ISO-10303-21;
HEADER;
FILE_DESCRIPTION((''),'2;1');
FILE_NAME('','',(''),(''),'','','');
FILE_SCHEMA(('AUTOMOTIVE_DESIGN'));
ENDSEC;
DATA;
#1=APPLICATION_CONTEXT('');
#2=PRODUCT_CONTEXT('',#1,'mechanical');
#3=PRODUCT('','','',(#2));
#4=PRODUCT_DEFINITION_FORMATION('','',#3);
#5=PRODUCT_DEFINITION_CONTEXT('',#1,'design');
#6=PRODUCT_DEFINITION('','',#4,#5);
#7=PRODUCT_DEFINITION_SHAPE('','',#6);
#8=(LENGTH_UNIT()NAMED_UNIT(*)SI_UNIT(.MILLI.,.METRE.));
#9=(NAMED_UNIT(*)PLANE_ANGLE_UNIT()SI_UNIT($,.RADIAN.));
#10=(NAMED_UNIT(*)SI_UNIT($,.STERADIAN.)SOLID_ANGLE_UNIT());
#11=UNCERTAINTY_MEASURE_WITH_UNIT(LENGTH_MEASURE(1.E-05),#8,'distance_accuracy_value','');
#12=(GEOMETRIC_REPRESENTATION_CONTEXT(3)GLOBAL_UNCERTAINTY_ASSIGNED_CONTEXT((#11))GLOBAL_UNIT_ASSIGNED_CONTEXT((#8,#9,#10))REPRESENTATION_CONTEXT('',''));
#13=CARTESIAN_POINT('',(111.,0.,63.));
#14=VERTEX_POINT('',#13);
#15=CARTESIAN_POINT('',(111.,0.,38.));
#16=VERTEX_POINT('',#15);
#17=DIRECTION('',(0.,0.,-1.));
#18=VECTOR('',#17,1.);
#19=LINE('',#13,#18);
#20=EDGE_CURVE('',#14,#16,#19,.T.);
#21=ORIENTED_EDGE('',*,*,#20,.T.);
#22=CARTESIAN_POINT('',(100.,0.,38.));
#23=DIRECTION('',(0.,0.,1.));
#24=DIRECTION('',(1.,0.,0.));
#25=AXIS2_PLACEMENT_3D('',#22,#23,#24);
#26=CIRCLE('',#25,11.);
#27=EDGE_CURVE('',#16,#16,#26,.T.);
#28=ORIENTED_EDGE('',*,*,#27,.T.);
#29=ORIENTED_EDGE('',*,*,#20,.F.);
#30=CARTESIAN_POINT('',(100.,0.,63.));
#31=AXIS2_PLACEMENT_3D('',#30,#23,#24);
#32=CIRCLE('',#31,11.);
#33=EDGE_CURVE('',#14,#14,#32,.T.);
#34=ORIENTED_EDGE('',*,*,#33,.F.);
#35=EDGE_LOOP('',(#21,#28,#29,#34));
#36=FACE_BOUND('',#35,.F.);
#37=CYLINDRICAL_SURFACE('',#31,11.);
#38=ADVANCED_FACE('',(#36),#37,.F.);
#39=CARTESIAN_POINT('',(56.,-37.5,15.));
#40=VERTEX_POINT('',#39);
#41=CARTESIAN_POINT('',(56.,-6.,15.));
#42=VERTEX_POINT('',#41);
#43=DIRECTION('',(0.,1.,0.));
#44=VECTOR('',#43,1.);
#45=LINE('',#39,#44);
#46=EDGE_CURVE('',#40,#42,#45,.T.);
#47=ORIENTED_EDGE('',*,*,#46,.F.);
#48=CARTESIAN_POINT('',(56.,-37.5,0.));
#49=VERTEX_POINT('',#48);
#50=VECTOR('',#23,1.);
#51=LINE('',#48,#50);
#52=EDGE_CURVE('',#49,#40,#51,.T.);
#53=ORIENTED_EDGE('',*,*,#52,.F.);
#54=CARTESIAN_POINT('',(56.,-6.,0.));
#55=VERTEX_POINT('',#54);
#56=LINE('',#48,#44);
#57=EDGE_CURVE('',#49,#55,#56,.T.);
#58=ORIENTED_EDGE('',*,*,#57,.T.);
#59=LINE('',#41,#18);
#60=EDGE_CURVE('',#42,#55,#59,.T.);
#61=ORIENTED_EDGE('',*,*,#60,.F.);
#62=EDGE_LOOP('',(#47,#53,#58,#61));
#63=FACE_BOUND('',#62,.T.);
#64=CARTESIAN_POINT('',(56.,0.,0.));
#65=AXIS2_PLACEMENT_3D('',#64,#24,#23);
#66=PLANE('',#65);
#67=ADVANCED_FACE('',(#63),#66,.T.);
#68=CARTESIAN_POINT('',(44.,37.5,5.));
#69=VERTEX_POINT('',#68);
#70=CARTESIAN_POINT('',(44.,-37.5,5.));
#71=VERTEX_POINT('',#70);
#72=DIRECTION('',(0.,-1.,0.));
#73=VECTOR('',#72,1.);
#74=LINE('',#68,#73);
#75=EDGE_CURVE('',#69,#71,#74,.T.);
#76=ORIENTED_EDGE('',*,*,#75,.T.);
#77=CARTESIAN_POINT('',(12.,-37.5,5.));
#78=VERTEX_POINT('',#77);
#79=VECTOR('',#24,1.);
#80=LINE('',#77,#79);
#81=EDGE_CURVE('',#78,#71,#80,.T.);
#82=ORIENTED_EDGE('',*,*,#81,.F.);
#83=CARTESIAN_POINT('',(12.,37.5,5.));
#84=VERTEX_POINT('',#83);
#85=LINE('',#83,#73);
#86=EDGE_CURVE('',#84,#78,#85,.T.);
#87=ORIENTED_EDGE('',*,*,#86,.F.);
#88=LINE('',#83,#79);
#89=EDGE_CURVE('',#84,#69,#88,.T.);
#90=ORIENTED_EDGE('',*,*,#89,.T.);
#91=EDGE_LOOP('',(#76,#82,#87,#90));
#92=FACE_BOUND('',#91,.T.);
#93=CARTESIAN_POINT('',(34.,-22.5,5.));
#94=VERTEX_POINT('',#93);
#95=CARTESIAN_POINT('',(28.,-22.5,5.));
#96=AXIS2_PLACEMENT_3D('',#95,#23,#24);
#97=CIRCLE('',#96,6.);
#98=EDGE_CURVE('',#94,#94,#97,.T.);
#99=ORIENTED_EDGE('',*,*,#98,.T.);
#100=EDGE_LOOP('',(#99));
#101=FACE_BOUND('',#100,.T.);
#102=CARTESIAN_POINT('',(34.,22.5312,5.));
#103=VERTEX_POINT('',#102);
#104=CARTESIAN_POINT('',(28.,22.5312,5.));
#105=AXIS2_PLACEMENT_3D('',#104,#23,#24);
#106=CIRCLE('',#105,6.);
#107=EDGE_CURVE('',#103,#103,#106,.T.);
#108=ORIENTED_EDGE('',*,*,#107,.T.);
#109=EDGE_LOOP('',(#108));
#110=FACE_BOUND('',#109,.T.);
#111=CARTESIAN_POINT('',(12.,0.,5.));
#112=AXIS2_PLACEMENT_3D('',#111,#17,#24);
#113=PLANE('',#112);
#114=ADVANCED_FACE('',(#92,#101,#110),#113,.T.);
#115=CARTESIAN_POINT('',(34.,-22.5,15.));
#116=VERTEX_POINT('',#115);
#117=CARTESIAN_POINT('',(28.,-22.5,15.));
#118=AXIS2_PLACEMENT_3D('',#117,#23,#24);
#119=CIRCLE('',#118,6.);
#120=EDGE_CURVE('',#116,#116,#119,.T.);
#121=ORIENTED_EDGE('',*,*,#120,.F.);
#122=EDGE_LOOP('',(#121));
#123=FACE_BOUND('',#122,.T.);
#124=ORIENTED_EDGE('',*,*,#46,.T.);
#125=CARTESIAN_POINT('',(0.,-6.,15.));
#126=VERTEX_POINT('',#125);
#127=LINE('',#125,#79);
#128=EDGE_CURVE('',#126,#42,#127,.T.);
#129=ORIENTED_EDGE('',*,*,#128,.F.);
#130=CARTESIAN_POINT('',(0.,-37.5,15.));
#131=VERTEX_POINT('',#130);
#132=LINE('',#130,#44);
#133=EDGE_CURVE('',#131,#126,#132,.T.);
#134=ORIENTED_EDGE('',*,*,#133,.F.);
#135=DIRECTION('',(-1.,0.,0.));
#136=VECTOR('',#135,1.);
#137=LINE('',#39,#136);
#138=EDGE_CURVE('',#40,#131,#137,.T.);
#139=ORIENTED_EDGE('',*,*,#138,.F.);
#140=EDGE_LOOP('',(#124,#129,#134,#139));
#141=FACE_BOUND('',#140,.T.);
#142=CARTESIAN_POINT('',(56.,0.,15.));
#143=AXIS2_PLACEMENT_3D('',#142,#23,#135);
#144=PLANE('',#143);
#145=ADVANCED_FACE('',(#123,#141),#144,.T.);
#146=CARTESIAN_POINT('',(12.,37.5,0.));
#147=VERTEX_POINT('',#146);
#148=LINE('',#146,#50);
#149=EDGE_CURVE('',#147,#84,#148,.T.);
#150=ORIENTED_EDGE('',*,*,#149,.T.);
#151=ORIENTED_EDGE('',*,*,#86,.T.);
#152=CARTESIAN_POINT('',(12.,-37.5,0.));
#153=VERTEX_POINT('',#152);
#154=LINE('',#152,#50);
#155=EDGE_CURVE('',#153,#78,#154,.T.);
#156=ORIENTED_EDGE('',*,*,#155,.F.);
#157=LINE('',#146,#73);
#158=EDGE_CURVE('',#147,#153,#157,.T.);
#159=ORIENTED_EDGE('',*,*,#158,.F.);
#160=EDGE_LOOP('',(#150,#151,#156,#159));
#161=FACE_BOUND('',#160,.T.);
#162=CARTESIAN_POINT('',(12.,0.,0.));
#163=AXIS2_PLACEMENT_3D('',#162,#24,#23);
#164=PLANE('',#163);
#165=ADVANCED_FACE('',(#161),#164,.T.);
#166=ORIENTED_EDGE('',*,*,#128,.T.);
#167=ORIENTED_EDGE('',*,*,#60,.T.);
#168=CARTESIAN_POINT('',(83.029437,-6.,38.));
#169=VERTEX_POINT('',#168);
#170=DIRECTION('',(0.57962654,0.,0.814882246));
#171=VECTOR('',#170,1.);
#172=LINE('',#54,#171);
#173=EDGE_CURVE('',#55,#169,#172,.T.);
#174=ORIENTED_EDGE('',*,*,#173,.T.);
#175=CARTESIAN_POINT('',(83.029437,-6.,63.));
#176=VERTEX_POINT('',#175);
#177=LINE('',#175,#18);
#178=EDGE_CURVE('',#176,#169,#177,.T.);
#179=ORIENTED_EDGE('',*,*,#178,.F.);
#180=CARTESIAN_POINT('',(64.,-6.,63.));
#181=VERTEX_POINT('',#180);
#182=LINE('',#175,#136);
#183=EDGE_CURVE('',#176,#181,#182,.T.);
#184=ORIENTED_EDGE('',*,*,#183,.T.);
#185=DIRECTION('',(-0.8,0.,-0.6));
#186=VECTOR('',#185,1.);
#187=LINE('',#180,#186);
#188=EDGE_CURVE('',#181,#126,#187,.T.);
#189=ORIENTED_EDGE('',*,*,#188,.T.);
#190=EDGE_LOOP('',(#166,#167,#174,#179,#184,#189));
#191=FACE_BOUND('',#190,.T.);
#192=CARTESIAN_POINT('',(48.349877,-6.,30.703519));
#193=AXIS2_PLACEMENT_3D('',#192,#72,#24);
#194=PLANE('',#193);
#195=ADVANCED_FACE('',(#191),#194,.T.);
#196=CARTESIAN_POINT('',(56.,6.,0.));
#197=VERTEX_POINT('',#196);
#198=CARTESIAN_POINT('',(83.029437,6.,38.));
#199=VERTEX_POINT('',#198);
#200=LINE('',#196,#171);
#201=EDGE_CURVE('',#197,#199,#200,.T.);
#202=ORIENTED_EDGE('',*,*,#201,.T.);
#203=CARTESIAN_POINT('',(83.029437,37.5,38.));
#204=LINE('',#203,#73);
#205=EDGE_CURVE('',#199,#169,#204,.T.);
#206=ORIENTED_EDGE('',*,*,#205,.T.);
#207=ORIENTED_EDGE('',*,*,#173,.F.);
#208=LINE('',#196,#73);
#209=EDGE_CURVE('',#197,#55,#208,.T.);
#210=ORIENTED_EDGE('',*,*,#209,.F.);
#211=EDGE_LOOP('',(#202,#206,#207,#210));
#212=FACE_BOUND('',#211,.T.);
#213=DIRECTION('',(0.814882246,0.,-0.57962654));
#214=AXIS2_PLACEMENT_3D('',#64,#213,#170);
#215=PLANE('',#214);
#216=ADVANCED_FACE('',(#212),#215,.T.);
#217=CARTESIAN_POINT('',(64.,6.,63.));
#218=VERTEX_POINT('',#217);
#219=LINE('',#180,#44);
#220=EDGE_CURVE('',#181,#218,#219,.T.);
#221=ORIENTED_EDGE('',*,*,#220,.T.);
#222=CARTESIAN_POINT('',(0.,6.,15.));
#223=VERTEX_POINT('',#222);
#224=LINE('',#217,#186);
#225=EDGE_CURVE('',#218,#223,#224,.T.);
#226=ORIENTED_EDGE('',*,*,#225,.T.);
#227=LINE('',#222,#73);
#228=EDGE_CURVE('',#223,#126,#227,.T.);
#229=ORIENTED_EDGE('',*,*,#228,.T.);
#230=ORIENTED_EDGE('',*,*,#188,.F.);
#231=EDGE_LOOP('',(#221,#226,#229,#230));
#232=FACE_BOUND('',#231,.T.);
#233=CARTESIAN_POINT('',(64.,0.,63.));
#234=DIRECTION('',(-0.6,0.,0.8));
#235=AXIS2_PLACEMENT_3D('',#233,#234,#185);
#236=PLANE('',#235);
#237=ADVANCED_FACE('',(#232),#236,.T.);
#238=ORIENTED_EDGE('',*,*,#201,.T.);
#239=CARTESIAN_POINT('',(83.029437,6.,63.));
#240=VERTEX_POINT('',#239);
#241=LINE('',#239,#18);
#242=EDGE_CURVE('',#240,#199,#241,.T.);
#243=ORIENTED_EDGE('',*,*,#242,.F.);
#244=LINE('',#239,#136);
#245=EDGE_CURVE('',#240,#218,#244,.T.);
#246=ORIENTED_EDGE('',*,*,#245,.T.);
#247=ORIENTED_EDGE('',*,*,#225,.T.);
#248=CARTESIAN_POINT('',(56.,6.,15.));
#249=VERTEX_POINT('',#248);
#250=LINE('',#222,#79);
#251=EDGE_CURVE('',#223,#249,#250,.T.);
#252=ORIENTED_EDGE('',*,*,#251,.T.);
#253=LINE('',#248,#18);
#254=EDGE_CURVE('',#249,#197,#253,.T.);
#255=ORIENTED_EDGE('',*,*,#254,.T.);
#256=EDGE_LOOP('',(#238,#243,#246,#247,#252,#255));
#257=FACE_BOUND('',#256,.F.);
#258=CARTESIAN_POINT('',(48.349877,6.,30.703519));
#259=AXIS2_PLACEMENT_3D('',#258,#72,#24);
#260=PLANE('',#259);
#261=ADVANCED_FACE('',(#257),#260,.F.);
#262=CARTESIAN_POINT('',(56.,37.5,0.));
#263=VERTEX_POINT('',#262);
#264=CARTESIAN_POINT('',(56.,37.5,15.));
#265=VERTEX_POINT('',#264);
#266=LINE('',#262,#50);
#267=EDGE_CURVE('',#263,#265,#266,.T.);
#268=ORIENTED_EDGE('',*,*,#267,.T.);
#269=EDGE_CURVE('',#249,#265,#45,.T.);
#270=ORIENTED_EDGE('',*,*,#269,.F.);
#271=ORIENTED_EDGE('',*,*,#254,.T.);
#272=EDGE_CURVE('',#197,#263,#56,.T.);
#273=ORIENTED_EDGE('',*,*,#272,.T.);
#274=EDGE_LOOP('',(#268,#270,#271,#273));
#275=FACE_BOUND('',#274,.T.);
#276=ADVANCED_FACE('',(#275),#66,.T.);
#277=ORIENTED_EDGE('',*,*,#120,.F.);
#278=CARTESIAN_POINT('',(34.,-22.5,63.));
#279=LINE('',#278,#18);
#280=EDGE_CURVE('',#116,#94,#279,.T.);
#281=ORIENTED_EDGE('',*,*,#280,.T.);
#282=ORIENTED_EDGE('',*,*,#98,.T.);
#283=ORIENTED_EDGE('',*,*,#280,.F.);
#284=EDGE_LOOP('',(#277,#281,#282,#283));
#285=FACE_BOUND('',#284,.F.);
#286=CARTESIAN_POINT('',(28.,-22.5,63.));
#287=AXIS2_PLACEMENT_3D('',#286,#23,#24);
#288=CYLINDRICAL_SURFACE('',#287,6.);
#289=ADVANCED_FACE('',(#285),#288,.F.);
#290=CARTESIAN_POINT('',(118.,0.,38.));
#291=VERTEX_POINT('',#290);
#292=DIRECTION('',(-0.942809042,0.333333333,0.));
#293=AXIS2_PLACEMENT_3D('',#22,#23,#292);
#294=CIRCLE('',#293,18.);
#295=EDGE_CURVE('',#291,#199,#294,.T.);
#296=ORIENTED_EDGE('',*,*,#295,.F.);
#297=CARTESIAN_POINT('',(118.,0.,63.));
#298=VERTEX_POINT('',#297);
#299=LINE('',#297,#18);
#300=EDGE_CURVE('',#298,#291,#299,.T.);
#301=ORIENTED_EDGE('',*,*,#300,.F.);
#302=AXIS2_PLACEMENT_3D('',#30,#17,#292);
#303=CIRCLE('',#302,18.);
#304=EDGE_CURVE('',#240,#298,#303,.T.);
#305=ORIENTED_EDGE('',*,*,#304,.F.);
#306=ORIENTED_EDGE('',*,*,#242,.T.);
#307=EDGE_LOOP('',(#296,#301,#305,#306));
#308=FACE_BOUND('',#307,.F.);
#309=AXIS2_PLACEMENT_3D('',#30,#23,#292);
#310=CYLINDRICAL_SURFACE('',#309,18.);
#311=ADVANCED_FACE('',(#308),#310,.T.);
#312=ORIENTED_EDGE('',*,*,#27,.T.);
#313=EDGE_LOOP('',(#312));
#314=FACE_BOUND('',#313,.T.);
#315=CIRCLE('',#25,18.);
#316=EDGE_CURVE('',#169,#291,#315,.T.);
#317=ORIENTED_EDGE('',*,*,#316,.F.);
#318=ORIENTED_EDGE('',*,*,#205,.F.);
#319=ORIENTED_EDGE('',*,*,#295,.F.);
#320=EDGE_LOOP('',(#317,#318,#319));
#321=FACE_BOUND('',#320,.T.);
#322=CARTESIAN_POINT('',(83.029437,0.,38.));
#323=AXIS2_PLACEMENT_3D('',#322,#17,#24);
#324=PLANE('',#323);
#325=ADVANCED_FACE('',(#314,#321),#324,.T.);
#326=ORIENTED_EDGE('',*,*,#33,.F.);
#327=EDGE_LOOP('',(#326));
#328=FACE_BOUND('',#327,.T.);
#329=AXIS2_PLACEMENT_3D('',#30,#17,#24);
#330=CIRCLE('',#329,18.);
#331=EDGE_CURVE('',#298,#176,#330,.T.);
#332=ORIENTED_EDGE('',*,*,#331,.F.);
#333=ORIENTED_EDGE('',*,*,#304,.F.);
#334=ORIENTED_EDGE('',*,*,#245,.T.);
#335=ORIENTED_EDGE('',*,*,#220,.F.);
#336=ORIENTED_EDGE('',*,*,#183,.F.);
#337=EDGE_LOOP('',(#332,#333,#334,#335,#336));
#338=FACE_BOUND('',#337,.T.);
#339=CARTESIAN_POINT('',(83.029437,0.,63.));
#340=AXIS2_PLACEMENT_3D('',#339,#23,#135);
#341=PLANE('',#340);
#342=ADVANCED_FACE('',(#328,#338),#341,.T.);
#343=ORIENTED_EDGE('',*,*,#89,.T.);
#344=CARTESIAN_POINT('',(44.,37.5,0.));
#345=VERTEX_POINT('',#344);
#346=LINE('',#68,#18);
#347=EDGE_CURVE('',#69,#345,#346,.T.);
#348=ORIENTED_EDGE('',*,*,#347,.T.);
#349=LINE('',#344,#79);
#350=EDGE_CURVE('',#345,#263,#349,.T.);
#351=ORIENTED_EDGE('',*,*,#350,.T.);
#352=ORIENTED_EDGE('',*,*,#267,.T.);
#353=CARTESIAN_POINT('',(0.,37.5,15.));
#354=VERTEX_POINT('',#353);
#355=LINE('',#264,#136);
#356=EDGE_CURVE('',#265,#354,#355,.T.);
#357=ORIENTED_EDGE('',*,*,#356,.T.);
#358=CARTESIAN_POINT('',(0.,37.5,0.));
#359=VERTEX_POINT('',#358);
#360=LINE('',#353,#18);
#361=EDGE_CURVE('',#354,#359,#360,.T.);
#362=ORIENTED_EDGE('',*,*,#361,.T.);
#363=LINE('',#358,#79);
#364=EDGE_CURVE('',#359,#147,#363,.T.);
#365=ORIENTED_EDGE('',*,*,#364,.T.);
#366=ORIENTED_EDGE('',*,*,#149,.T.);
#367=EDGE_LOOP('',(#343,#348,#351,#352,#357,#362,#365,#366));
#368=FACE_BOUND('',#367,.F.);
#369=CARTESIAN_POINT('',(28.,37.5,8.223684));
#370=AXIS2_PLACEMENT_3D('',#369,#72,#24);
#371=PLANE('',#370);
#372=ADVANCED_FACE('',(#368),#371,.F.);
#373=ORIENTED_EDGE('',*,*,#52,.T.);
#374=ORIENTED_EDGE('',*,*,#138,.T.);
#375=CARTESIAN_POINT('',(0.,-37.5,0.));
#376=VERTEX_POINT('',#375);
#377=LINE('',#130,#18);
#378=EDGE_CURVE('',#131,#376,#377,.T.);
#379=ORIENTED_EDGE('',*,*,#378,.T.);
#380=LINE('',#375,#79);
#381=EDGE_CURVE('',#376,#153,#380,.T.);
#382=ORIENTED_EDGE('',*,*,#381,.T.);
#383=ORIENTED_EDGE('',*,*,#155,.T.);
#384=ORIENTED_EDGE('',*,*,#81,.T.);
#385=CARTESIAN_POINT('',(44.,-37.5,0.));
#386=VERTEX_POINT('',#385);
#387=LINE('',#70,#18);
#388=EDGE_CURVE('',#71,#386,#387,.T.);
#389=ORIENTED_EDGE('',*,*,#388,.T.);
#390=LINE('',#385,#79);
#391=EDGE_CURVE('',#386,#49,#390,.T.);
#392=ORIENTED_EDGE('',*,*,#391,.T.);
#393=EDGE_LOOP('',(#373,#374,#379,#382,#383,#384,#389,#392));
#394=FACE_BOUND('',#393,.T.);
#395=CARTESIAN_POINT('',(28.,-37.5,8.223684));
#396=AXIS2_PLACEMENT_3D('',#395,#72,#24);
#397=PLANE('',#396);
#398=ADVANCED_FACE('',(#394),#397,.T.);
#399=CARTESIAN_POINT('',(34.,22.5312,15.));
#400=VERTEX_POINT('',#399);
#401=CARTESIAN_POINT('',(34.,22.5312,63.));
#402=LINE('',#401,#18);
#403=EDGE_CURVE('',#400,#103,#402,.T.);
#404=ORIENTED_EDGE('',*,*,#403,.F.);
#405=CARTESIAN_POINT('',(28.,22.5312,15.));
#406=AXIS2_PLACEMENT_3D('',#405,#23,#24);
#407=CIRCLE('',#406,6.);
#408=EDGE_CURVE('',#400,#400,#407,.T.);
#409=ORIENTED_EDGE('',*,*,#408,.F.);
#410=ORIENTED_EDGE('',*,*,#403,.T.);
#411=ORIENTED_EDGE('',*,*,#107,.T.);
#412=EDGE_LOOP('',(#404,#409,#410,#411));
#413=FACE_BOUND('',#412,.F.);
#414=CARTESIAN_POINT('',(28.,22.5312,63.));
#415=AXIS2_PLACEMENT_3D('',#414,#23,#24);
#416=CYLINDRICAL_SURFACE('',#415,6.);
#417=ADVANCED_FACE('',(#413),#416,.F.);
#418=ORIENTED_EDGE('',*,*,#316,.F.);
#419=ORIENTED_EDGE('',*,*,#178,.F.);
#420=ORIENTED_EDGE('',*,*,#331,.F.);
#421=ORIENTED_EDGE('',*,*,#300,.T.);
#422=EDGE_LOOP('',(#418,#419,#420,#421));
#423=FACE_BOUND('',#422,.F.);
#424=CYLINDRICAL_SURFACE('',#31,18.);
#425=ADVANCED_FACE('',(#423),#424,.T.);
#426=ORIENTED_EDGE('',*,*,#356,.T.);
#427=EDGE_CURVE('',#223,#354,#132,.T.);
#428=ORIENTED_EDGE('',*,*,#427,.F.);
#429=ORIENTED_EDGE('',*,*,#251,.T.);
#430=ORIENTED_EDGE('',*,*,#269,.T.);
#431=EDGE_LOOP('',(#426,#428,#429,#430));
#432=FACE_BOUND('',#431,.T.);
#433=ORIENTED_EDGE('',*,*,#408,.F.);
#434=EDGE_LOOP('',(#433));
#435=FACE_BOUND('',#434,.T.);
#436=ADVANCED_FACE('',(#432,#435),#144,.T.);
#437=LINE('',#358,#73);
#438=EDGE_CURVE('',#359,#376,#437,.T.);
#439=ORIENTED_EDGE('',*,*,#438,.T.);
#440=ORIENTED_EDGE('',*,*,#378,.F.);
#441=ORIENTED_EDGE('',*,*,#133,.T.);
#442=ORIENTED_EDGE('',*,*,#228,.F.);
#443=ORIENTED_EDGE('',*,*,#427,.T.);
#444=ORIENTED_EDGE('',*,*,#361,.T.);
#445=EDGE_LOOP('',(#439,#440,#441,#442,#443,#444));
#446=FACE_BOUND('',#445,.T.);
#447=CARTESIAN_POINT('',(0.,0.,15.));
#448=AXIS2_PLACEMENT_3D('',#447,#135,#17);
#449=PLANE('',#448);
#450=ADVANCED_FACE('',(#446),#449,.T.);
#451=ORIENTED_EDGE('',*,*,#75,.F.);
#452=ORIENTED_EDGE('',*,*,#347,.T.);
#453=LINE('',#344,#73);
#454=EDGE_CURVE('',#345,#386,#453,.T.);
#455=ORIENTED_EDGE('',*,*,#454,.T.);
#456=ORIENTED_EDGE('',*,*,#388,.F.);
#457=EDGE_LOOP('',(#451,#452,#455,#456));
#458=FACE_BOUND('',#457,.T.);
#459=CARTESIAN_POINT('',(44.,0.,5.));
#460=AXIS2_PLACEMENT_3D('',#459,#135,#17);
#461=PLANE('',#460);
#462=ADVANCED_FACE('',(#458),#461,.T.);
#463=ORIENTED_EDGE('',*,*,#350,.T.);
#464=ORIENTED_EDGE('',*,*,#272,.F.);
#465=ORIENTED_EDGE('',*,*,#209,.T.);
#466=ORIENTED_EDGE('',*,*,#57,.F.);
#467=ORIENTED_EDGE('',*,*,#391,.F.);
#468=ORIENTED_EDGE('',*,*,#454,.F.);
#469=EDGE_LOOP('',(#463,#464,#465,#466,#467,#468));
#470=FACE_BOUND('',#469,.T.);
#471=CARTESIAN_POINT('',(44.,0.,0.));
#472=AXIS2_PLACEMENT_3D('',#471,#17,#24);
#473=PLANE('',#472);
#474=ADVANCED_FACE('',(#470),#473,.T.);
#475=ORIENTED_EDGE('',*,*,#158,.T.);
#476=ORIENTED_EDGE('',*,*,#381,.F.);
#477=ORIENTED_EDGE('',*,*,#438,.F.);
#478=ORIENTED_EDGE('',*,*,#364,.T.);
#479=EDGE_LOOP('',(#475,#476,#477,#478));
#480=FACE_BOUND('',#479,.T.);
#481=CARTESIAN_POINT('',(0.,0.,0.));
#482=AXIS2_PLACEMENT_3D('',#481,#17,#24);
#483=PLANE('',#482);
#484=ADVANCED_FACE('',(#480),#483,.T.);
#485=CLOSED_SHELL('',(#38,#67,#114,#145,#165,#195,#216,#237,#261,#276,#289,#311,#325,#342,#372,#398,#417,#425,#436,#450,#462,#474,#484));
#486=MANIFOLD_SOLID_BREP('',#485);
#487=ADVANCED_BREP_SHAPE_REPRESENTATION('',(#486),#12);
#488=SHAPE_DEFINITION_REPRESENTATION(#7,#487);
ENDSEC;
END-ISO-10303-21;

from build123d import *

# Parameters (mm, degrees)
F1_DEPTH = 37.5
F0_W     = 34.9705627485
F0_H     = 25
F2_R     = 6
F2_R_2   = 11
F3_DEPTH = 63.001
F4_DEPTH = 6


with BuildPart() as f1:
    # F0 (on Front) → F1 (new body, symmetric)
    with BuildSketch(Plane.XZ):
        Polygon((0, 15), (0, 0), (12, 0), (12, 5), (44, 5), (44, 0), (56, 0), (56, 15), align=None)
    extrude(amount=F1_DEPTH, both=True)


with BuildPart() as f1b:
    # F0 (on Front) → F1, piece 2 (new body, symmetric)
    with BuildSketch(Plane.XZ):
        with Locations((100.5147186258, 50.5)):
            Rectangle(F0_W, F0_H)
    extrude(amount=F1_DEPTH, both=True)


with BuildPart() as f3_tool:
    # F2 (on face) → F3 (new body, through all)
    with BuildSketch(Plane.XY.offset(63)):
        with Locations((28, -22.5)):
            Circle(F2_R)
        with Locations((100, 0)):
            Circle(F2_R_2)
        with Locations((28, 22.5312)):
            Circle(F2_R)
        with BuildLine():
            ThreePointArc((83.0294372515, 6), (103.0438356171, 17.7407740738), (118, 0))
            Line((118, 0), (118, 37.5))
            Line((118, 37.5), (83.0294372515, 37.5))
            Line((83.0294372515, 37.5), (83.0294372515, 6))
        make_face()
        with BuildLine():
            Line((118, -37.5), (118, 0))
            ThreePointArc((118, 0), (103.0438356171, -17.7407740738), (83.0294372515, -6))
            Line((83.0294372515, -6), (83.0294372515, -37.5))
            Line((83.0294372515, -37.5), (118, -37.5))
        make_face()
    extrude(amount=-F3_DEPTH)


with BuildPart() as f1_1:
    add(f1.part)

    # F3: cut by f3_tool
    add(f3_tool.part, mode=Mode.SUBTRACT)



with BuildPart() as f1b_1:
    add(f1b.part)

    # F3: cut by f3_tool
    add(f3_tool.part, mode=Mode.SUBTRACT)


with BuildPart() as f1_2:
    add(f1_1.part)

    add(f1b_1.part)  # F4 merges F1b
    # F0 (on Front) → F4 (join, symmetric)
    with BuildSketch(Plane.XZ):
        Polygon((64, 63), (0, 15), (56, 15), (56, 0), (83.0294372515, 38), (83.0294372515, 63), (82, 63), align=None)
    extrude(amount=F4_DEPTH, both=True)


solid = f1_2.part
